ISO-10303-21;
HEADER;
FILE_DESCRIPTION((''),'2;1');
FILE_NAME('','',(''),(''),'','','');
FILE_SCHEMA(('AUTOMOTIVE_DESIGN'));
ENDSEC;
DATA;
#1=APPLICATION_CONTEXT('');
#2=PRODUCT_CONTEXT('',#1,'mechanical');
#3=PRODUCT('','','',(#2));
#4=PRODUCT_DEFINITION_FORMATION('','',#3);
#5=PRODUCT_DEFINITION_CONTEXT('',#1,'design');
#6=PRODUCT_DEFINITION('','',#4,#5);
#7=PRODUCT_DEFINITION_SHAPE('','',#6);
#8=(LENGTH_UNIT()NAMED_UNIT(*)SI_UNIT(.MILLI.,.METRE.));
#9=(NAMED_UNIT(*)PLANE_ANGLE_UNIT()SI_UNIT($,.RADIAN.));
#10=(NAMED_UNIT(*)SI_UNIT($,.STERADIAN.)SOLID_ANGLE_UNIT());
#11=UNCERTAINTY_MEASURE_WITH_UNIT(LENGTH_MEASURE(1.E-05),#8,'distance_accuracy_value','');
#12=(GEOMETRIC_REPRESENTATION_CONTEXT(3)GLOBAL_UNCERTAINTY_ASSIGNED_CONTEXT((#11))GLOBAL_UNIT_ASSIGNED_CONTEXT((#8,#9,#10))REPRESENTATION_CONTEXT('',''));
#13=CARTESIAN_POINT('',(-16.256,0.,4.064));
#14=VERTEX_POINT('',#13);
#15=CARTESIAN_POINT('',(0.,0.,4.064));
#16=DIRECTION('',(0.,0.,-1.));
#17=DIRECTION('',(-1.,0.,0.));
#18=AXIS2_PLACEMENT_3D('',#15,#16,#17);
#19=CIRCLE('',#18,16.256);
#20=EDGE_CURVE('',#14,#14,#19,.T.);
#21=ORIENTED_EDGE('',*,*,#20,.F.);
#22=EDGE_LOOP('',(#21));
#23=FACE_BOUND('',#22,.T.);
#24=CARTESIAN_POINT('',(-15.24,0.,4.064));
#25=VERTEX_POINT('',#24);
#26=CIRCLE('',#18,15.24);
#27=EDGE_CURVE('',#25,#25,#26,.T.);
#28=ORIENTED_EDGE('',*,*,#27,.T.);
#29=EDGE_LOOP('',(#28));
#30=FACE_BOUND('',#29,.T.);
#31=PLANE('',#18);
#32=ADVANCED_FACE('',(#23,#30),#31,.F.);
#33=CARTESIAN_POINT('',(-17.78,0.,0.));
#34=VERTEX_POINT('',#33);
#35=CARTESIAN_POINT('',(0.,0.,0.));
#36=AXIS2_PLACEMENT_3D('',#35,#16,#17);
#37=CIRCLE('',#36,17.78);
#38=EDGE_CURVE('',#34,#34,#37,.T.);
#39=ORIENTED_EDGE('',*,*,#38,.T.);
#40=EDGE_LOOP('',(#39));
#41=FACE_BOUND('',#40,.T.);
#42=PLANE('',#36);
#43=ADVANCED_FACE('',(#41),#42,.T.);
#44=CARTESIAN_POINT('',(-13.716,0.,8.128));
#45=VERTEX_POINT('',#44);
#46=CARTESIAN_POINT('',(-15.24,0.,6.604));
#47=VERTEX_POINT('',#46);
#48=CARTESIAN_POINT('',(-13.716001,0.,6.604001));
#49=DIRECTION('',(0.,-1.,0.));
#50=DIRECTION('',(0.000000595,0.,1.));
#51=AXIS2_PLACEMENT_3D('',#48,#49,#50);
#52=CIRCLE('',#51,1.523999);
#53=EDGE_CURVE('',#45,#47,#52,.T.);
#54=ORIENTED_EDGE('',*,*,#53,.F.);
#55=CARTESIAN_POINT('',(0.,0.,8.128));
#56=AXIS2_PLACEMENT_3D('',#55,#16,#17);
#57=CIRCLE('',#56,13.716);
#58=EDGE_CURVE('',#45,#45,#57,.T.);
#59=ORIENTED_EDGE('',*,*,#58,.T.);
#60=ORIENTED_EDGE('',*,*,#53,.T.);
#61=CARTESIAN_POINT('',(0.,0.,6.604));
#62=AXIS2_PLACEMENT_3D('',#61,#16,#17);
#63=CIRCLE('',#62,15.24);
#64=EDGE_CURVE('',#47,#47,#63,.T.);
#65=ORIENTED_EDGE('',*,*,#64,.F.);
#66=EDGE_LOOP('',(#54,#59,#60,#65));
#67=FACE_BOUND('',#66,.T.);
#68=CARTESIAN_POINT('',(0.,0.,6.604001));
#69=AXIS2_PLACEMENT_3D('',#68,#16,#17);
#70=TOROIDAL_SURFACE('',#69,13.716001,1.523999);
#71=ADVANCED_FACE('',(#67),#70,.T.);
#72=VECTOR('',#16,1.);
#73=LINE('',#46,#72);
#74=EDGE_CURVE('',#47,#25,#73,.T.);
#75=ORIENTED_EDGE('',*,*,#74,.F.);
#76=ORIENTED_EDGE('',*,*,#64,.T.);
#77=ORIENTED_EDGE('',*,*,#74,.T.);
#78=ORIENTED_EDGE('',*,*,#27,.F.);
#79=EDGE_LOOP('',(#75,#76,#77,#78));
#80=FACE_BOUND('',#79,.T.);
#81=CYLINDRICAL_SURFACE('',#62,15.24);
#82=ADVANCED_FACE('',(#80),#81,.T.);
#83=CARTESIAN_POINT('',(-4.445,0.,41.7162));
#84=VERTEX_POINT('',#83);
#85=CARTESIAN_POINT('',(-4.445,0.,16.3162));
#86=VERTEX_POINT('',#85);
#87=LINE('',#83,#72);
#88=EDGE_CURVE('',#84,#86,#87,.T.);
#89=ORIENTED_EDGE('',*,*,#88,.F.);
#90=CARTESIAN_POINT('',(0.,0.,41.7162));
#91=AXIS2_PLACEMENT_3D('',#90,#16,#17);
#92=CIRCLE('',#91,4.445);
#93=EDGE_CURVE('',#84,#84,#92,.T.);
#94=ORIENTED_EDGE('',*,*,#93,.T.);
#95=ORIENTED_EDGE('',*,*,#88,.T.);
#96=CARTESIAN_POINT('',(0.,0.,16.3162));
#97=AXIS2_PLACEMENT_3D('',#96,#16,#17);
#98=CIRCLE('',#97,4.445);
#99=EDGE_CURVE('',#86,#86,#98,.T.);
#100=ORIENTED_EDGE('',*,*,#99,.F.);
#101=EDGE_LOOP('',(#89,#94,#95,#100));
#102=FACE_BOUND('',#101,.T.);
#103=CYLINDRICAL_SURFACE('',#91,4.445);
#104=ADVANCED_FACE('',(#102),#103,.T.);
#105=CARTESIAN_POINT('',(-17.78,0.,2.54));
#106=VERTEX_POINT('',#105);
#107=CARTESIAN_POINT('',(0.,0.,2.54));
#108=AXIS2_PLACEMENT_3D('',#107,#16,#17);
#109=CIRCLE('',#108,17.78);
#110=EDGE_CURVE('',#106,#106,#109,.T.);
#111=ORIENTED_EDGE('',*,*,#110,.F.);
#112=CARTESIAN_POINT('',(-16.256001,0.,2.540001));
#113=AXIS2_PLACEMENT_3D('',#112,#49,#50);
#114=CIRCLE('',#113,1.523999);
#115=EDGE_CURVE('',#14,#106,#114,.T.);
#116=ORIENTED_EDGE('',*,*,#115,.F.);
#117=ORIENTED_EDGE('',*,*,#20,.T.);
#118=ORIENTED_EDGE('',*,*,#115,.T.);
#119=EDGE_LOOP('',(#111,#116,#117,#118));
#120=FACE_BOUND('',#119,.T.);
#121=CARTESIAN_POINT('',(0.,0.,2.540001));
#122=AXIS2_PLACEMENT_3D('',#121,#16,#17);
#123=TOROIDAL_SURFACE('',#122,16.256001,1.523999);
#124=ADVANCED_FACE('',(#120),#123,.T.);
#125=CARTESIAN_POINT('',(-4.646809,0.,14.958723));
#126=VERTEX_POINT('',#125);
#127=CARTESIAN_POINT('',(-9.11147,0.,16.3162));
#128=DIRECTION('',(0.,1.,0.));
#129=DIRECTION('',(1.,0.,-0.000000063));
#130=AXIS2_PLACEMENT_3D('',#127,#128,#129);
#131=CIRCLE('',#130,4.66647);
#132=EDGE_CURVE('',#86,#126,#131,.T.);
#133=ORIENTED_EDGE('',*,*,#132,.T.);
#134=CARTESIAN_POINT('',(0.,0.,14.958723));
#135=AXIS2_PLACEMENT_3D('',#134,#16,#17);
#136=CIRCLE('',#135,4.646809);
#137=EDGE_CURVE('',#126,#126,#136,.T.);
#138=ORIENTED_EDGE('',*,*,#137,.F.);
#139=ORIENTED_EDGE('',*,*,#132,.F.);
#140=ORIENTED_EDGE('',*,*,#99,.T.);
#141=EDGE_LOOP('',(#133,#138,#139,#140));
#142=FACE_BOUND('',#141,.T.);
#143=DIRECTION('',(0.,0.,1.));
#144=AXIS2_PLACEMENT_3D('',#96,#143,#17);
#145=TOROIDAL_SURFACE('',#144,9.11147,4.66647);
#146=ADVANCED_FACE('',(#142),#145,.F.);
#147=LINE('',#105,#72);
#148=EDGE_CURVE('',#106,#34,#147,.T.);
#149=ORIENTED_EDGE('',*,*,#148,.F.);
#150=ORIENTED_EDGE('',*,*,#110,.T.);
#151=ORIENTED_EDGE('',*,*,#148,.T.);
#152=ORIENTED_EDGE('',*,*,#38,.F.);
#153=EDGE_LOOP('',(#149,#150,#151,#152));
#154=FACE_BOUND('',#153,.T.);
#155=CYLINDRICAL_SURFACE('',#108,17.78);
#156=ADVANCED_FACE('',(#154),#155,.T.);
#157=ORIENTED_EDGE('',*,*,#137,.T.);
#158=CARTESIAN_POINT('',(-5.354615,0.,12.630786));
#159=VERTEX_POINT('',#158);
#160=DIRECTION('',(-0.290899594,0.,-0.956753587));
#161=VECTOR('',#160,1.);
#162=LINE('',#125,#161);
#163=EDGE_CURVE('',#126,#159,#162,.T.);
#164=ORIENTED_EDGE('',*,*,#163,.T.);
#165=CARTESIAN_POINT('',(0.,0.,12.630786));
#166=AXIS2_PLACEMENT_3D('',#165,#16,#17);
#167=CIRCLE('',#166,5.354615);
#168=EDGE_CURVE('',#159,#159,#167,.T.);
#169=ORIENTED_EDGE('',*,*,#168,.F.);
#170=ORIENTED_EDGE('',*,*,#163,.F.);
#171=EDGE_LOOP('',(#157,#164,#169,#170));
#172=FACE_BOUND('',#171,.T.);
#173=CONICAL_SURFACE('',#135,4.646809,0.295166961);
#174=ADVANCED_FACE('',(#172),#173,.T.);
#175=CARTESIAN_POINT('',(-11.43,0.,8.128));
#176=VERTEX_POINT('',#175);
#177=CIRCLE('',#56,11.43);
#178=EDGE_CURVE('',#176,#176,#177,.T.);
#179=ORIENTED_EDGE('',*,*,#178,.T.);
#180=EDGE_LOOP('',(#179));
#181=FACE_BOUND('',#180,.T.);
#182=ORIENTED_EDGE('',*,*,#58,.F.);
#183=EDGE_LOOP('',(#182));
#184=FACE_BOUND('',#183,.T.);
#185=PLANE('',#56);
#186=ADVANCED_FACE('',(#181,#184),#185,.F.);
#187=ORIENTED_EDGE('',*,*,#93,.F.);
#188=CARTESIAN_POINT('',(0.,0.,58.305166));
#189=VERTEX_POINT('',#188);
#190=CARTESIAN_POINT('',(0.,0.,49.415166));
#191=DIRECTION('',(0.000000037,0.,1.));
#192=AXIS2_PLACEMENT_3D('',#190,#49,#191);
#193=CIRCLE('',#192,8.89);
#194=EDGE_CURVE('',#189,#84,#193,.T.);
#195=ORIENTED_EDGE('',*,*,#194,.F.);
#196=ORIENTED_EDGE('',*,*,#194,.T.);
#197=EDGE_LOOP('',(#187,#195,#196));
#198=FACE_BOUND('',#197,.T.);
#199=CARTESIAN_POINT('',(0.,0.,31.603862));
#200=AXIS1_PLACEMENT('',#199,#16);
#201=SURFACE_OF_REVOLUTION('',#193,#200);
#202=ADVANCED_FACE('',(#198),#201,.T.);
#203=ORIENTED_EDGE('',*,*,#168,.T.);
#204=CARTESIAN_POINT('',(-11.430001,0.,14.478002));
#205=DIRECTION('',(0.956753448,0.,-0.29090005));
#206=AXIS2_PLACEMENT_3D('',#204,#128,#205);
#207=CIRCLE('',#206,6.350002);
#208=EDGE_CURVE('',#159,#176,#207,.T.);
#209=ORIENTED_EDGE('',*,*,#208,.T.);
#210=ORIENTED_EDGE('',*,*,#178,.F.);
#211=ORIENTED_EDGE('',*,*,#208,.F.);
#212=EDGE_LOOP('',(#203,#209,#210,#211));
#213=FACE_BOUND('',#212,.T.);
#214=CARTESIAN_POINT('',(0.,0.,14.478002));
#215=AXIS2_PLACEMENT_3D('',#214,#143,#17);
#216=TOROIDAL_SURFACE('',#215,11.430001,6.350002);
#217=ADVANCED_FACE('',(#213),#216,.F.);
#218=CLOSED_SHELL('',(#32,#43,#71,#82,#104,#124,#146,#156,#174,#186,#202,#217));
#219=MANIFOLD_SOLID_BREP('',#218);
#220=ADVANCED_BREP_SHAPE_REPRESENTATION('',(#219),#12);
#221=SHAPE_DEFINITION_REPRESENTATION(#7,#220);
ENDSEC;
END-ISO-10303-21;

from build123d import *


with BuildPart() as f1:
    # F0 (on Front) → F1 (revolve)
    with BuildSketch(Plane.XZ):
        with BuildLine():
            Line((-17.78, 0), (0, 0))
            Line((0, 0), (0, 58.305166))
            ThreePointArc((0, 58.305166), (-8.587081, 51.716067), (-4.445, 41.7162))
            Line((-4.445, 41.7162), (-4.445, 16.3162))
            ThreePointArc((-4.445, 16.3162), (-4.495728, 15.630002), (-4.646809, 14.958723))
            Line((-4.646809, 14.958723), (-5.354615, 12.630786))
            ThreePointArc((-5.354615, 12.630786), (-7.648949, 9.376417), (-11.43, 8.128))
            Line((-11.43, 8.128), (-13.716, 8.128))
            ThreePointArc((-13.716, 8.128), (-14.793631, 7.681631), (-15.24, 6.604))
            Line((-15.24, 6.604), (-15.24, 4.064))
            Line((-15.24, 4.064), (-16.256, 4.064))
            ThreePointArc((-16.256, 4.064), (-17.333631, 3.617631), (-17.78, 2.54))
            Line((-17.78, 2.54), (-17.78, 0))
        make_face()
    revolve(axis=Axis((0, 0, 31.603862), (0, 0, -1)))


solid = f1.part
